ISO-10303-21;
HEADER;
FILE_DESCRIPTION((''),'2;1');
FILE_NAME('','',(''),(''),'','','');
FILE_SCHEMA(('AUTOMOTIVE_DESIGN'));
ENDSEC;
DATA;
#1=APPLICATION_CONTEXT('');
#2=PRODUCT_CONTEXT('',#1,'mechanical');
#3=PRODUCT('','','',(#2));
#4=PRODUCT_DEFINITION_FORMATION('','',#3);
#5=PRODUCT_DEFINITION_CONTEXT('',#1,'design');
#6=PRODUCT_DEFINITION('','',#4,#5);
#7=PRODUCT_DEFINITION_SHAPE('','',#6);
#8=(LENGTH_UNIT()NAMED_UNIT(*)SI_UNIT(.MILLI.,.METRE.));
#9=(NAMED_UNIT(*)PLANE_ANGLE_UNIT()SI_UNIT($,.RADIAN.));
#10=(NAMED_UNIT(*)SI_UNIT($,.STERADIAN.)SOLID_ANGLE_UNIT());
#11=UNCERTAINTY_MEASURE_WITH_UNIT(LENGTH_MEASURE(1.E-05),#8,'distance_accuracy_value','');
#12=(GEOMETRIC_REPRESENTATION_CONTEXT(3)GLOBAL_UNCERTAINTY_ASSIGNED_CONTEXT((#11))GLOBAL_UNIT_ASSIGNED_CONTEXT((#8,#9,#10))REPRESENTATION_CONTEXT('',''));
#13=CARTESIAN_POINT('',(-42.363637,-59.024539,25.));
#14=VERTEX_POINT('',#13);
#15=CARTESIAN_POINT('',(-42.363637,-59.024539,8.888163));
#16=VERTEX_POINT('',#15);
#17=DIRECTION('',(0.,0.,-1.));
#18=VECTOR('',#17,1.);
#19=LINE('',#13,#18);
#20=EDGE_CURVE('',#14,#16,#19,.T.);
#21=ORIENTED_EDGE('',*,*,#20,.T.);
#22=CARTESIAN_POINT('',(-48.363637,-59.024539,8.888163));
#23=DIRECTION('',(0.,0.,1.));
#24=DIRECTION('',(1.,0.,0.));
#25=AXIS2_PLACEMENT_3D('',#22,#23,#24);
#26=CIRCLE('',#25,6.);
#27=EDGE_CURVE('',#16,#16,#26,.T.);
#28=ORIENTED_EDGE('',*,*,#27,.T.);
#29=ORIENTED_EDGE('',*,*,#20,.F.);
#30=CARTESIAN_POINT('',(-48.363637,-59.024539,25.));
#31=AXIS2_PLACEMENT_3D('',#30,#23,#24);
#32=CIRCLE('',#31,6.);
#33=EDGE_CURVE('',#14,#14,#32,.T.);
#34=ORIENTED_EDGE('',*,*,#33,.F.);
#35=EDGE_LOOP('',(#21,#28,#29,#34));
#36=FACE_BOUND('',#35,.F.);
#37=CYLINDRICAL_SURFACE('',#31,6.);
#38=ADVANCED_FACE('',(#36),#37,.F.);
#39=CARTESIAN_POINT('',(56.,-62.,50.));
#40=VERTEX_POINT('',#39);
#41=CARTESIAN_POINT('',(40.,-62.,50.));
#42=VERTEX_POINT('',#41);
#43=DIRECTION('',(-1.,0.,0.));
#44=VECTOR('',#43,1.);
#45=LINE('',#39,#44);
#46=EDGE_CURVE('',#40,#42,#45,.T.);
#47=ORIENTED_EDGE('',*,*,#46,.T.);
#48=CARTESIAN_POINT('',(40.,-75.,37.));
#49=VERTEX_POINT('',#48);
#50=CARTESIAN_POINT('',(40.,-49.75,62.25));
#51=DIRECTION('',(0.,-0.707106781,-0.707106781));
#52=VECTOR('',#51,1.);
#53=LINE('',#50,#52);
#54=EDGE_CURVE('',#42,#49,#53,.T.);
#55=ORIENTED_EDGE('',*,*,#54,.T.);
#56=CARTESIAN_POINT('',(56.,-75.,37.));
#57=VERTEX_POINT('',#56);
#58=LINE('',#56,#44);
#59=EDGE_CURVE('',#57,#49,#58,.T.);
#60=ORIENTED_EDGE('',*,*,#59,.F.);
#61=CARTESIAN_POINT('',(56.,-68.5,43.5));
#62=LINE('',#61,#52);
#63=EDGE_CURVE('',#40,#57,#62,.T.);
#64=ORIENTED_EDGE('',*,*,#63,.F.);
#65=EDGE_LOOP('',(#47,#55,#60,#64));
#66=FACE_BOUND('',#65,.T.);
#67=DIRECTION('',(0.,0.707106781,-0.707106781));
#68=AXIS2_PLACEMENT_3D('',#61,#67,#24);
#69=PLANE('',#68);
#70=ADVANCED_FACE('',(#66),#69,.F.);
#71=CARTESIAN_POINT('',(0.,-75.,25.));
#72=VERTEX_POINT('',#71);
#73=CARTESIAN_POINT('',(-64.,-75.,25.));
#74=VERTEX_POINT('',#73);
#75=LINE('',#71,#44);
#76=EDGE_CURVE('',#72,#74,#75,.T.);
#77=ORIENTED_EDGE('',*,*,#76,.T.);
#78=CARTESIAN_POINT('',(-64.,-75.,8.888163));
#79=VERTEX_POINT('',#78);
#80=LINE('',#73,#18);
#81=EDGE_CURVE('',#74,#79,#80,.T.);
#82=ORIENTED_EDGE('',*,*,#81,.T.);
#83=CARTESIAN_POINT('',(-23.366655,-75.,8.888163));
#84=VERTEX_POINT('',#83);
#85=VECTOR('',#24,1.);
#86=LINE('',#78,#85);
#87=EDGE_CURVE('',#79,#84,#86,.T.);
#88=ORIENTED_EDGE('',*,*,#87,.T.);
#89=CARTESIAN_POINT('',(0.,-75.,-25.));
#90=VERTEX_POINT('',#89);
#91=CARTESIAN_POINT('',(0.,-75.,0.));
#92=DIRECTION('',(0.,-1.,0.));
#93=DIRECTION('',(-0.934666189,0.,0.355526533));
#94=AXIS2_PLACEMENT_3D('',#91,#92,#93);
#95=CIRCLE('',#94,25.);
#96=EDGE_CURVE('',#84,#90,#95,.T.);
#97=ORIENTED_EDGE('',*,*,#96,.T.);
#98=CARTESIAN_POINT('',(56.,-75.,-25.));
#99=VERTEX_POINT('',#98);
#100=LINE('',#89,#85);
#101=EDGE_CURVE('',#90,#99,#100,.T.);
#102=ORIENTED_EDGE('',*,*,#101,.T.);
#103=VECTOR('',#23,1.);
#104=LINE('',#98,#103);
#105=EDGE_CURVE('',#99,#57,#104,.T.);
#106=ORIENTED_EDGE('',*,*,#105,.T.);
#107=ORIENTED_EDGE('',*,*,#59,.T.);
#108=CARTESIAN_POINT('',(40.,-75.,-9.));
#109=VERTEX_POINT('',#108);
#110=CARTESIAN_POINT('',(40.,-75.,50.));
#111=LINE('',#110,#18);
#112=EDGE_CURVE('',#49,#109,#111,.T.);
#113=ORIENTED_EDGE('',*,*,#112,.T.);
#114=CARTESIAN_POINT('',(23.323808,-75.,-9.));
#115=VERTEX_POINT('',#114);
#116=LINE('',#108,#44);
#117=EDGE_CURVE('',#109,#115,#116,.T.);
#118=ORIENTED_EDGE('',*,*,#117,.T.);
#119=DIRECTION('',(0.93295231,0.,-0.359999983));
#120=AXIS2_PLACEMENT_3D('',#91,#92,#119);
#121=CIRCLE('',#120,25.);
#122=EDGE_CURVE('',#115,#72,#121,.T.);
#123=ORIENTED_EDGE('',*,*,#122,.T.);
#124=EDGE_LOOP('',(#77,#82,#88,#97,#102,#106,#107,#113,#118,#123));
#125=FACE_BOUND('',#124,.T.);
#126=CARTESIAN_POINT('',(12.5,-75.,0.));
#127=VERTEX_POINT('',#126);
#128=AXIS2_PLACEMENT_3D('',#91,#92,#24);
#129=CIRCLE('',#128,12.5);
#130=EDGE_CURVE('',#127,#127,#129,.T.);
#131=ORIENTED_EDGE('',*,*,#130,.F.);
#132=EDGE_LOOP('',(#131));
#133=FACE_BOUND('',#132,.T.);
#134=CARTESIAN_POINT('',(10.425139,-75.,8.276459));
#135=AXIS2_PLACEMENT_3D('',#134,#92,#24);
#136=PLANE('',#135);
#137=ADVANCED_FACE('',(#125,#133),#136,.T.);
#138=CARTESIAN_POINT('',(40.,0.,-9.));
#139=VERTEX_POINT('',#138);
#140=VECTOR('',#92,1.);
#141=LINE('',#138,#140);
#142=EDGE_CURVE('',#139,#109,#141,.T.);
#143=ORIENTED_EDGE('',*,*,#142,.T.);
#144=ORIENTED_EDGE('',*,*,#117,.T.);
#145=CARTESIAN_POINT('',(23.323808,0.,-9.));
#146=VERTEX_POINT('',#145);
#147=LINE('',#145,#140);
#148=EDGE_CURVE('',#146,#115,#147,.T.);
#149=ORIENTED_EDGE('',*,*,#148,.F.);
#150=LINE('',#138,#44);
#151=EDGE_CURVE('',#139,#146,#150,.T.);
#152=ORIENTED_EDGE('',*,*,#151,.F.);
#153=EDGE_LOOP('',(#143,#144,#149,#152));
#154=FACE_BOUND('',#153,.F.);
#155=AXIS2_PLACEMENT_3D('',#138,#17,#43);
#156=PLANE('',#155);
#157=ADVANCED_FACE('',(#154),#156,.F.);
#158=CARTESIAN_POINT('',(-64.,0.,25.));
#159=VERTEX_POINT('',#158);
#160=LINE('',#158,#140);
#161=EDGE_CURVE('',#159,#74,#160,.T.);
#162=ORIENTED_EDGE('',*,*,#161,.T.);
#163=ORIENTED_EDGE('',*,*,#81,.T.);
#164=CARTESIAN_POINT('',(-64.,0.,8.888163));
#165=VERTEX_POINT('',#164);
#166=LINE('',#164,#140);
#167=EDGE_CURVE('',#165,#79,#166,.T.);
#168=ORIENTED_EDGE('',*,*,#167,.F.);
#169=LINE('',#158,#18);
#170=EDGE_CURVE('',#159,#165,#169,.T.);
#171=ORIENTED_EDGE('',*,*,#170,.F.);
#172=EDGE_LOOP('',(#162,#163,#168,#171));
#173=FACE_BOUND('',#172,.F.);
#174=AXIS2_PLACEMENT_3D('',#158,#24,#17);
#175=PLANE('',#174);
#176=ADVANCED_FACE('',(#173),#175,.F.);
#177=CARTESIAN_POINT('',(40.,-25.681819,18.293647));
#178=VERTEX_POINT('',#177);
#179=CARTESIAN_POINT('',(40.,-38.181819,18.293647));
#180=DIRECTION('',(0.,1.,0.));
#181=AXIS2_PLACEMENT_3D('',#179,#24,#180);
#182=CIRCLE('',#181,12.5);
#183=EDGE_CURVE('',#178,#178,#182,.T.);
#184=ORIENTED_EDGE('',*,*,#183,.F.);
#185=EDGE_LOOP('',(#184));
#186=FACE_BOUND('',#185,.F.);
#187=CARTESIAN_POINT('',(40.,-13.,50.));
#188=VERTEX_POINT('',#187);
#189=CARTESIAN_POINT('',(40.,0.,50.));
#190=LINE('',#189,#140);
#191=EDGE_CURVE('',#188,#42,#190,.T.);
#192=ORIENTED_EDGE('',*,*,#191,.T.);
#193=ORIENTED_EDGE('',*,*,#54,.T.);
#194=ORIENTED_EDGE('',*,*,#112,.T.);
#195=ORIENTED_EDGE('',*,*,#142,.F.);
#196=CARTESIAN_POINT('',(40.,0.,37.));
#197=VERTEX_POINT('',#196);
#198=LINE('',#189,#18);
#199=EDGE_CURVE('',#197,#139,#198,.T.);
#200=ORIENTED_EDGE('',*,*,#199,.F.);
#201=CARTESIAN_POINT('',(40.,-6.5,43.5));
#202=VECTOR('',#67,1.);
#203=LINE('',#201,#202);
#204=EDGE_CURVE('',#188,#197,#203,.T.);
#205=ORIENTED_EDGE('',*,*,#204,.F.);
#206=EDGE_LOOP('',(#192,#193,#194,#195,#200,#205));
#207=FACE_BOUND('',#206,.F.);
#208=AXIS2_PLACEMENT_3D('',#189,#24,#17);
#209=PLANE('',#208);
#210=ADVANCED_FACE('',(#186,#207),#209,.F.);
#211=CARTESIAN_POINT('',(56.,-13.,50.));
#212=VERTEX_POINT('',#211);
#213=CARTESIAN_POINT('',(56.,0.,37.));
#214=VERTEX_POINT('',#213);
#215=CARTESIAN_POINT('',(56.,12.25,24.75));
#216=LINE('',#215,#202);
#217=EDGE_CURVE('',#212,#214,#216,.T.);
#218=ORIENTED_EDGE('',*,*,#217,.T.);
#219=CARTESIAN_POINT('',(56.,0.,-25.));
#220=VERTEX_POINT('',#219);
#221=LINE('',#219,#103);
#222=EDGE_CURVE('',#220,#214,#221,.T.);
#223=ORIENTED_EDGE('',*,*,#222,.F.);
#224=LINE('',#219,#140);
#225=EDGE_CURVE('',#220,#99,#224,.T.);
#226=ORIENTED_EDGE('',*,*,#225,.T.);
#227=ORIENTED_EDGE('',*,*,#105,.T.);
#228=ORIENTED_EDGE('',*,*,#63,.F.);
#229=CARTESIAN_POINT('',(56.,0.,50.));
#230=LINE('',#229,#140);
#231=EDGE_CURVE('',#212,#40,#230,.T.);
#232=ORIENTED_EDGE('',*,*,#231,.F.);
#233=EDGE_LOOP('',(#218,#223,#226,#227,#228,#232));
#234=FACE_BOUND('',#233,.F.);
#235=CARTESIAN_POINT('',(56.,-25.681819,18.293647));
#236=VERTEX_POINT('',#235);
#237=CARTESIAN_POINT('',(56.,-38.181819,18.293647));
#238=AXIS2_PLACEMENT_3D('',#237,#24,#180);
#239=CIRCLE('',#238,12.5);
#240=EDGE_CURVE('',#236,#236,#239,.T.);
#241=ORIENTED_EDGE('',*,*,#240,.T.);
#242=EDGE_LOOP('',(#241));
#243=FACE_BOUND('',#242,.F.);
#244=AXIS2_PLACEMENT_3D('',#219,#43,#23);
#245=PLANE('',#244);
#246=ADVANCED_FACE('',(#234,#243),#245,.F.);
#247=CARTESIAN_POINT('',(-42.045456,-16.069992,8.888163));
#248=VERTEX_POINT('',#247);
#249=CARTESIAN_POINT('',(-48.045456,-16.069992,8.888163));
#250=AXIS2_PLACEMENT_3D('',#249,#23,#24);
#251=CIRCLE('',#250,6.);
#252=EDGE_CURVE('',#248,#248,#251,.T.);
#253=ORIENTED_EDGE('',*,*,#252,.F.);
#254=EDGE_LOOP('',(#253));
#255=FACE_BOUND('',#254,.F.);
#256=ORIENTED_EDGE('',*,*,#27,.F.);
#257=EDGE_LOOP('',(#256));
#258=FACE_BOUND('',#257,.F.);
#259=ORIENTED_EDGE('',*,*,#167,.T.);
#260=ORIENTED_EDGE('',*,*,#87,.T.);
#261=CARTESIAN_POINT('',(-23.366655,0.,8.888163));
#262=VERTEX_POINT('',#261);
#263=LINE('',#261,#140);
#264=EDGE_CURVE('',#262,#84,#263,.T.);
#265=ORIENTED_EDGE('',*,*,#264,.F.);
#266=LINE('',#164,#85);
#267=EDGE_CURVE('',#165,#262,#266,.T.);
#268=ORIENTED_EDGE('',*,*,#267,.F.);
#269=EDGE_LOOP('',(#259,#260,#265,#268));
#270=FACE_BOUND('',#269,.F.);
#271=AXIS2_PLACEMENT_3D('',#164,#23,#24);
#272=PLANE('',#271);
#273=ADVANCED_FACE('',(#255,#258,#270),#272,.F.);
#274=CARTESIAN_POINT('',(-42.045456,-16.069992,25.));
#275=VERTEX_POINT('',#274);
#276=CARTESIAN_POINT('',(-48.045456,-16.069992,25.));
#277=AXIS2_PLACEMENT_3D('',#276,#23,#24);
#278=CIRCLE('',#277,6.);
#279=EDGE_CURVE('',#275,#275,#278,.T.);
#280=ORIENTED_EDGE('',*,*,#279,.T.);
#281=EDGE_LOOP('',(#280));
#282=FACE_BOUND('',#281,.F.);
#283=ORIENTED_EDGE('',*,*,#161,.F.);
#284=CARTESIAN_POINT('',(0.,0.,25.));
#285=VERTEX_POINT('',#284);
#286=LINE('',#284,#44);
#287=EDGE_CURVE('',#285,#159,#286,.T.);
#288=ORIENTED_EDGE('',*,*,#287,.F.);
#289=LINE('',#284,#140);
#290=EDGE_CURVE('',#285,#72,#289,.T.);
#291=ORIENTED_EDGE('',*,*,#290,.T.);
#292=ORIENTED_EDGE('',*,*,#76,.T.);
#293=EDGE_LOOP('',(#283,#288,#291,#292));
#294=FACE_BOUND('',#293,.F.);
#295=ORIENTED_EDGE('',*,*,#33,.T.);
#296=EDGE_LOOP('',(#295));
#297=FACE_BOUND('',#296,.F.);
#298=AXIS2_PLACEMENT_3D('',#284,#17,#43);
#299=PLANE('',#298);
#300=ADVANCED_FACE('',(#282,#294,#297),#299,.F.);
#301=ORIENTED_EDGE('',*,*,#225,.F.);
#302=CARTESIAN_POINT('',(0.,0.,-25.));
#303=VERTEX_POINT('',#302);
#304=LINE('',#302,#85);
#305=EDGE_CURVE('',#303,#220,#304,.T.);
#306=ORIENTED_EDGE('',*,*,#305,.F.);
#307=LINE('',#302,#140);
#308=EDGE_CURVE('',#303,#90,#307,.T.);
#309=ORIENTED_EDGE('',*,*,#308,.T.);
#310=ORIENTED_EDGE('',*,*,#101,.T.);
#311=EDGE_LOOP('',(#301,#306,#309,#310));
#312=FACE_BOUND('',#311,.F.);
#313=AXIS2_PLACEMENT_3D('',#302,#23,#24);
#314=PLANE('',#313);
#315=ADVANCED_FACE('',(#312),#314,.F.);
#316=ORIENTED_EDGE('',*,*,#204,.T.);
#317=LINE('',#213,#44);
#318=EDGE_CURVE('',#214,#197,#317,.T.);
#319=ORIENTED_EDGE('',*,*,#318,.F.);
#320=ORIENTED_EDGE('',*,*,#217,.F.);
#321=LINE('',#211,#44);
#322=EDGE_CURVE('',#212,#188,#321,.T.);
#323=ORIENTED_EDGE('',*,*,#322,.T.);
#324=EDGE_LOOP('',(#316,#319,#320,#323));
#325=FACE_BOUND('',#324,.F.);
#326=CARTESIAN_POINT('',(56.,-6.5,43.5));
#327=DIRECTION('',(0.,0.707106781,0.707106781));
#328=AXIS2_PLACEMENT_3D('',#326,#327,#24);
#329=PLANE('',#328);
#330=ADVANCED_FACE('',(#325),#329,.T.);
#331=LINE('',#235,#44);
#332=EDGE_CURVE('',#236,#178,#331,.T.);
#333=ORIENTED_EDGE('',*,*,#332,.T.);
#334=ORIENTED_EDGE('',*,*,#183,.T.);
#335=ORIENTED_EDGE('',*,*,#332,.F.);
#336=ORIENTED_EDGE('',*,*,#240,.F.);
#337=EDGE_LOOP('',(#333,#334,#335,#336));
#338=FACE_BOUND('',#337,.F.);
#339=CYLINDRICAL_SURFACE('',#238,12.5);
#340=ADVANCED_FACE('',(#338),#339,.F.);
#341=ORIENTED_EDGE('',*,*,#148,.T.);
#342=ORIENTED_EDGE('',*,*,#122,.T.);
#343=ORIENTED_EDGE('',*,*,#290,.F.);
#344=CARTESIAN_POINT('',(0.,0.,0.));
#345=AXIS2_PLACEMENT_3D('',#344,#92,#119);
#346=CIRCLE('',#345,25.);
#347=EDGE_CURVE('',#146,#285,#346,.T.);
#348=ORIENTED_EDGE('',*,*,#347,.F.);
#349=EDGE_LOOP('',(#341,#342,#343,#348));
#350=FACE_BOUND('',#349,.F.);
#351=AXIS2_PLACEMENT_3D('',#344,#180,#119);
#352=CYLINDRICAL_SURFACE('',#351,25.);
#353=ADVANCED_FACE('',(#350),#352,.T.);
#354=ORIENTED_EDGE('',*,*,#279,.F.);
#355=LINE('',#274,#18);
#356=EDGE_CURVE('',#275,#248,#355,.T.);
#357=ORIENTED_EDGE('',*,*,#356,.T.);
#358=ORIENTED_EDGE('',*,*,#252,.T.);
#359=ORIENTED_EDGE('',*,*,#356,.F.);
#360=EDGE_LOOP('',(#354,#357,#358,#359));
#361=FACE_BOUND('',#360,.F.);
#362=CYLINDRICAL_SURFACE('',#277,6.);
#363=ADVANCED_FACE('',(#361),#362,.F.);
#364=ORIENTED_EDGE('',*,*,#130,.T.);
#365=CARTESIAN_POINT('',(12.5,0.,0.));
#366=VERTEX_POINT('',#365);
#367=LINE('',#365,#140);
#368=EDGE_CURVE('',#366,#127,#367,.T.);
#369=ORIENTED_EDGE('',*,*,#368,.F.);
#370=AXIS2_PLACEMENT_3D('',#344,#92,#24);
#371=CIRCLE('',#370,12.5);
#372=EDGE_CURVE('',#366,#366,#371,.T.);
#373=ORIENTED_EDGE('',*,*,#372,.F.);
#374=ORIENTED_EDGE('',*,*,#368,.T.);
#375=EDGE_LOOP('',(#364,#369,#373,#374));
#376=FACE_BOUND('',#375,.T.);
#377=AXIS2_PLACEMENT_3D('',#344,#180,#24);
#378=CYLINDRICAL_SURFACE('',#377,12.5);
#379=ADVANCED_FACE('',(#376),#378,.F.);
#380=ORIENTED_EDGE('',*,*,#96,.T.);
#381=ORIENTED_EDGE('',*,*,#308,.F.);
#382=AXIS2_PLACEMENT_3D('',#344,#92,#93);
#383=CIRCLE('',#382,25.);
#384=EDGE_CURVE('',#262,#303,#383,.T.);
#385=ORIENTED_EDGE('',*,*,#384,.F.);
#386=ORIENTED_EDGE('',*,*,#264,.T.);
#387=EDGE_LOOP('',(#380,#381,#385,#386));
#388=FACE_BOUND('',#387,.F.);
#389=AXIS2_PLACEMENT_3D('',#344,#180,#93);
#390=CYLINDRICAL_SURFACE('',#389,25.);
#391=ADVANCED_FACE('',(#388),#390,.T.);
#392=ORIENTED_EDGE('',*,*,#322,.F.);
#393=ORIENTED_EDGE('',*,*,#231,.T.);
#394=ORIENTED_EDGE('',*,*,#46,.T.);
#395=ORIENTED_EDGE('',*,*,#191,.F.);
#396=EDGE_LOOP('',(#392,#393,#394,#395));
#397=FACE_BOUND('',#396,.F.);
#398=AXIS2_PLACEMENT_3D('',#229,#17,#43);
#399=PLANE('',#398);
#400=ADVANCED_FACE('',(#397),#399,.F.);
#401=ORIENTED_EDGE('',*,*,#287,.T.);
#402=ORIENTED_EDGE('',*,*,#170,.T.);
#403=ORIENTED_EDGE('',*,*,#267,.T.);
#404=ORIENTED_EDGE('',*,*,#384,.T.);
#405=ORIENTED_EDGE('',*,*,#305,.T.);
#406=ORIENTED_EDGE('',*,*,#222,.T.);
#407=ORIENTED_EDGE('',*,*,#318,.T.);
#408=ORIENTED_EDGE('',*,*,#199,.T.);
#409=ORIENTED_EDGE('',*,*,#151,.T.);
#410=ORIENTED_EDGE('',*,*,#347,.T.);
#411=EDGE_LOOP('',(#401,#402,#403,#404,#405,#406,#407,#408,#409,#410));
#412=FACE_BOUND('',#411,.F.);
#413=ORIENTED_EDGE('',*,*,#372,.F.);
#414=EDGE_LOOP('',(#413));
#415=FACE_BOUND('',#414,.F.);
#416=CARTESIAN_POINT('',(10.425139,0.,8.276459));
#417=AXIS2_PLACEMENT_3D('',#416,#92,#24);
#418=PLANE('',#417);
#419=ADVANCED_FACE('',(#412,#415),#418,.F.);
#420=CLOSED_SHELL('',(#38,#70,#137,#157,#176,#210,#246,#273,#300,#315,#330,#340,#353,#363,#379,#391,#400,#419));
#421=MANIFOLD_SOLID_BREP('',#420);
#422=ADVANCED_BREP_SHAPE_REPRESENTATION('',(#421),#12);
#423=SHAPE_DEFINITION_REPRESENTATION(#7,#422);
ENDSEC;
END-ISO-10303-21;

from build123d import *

# Parameters (mm, degrees)
F0_R     = 12.5
F1_DEPTH = 75
F2_SIZE  = 13
F3_SIZE  = 13
F5_R     = 6
F6_DEPTH = 25
F8_R     = 12.5
F9_DEPTH = 25


with BuildPart() as f1:
    # F0 (on Front) → F1 (new body)
    with BuildSketch(Plane.XZ):
        with BuildLine():
            ThreePointArc((23.323808, -9), (20.615528, 14.142136), (0, 25))
            Line((0, 25), (-64, 25))
            Line((-64, 25), (-64, 8.888163))
            Line((-64, 8.888163), (-23.366655, 8.888163))
            ThreePointArc((-23.366655, 8.888163), (-20.581595, -14.191475), (0, -25))
            Line((0, -25), (56, -25))
            Line((56, -25), (56, 50))
            Line((56, 50), (40, 50))
            Line((40, 50), (40, -9))
            Line((40, -9), (23.323808, -9))
        make_face()
        Circle(F0_R, mode=Mode.SUBTRACT)
    extrude(amount=F1_DEPTH)

    # F2
    f2_edges = [f1.edges().sort_by_distance(p)[0] for p in [
        (48, -75, 50),
    ]]
    chamfer(f2_edges, length=F2_SIZE)

    # F3
    f3_edges = [f1.edges().sort_by_distance(p)[0] for p in [
        (48, 0, 50),
    ]]
    chamfer(f3_edges, length=F3_SIZE)

    # F5 (on face) → F6 (cut)
    with BuildSketch(Plane.XY.offset(25)):
        with Locations((-48.045456, -16.069992)):
            Circle(F5_R)
        with Locations((-48.363637, -59.024539)):
            Circle(F5_R)
    extrude(amount=-F6_DEPTH, mode=Mode.SUBTRACT)

    # F8 (on face) → F9 (cut)
    with BuildSketch(Plane.YZ.offset(56)):
        with Locations((-38.181819, 18.293647)):
            Circle(F8_R)
    extrude(amount=-F9_DEPTH, mode=Mode.SUBTRACT)


solid = f1.part
